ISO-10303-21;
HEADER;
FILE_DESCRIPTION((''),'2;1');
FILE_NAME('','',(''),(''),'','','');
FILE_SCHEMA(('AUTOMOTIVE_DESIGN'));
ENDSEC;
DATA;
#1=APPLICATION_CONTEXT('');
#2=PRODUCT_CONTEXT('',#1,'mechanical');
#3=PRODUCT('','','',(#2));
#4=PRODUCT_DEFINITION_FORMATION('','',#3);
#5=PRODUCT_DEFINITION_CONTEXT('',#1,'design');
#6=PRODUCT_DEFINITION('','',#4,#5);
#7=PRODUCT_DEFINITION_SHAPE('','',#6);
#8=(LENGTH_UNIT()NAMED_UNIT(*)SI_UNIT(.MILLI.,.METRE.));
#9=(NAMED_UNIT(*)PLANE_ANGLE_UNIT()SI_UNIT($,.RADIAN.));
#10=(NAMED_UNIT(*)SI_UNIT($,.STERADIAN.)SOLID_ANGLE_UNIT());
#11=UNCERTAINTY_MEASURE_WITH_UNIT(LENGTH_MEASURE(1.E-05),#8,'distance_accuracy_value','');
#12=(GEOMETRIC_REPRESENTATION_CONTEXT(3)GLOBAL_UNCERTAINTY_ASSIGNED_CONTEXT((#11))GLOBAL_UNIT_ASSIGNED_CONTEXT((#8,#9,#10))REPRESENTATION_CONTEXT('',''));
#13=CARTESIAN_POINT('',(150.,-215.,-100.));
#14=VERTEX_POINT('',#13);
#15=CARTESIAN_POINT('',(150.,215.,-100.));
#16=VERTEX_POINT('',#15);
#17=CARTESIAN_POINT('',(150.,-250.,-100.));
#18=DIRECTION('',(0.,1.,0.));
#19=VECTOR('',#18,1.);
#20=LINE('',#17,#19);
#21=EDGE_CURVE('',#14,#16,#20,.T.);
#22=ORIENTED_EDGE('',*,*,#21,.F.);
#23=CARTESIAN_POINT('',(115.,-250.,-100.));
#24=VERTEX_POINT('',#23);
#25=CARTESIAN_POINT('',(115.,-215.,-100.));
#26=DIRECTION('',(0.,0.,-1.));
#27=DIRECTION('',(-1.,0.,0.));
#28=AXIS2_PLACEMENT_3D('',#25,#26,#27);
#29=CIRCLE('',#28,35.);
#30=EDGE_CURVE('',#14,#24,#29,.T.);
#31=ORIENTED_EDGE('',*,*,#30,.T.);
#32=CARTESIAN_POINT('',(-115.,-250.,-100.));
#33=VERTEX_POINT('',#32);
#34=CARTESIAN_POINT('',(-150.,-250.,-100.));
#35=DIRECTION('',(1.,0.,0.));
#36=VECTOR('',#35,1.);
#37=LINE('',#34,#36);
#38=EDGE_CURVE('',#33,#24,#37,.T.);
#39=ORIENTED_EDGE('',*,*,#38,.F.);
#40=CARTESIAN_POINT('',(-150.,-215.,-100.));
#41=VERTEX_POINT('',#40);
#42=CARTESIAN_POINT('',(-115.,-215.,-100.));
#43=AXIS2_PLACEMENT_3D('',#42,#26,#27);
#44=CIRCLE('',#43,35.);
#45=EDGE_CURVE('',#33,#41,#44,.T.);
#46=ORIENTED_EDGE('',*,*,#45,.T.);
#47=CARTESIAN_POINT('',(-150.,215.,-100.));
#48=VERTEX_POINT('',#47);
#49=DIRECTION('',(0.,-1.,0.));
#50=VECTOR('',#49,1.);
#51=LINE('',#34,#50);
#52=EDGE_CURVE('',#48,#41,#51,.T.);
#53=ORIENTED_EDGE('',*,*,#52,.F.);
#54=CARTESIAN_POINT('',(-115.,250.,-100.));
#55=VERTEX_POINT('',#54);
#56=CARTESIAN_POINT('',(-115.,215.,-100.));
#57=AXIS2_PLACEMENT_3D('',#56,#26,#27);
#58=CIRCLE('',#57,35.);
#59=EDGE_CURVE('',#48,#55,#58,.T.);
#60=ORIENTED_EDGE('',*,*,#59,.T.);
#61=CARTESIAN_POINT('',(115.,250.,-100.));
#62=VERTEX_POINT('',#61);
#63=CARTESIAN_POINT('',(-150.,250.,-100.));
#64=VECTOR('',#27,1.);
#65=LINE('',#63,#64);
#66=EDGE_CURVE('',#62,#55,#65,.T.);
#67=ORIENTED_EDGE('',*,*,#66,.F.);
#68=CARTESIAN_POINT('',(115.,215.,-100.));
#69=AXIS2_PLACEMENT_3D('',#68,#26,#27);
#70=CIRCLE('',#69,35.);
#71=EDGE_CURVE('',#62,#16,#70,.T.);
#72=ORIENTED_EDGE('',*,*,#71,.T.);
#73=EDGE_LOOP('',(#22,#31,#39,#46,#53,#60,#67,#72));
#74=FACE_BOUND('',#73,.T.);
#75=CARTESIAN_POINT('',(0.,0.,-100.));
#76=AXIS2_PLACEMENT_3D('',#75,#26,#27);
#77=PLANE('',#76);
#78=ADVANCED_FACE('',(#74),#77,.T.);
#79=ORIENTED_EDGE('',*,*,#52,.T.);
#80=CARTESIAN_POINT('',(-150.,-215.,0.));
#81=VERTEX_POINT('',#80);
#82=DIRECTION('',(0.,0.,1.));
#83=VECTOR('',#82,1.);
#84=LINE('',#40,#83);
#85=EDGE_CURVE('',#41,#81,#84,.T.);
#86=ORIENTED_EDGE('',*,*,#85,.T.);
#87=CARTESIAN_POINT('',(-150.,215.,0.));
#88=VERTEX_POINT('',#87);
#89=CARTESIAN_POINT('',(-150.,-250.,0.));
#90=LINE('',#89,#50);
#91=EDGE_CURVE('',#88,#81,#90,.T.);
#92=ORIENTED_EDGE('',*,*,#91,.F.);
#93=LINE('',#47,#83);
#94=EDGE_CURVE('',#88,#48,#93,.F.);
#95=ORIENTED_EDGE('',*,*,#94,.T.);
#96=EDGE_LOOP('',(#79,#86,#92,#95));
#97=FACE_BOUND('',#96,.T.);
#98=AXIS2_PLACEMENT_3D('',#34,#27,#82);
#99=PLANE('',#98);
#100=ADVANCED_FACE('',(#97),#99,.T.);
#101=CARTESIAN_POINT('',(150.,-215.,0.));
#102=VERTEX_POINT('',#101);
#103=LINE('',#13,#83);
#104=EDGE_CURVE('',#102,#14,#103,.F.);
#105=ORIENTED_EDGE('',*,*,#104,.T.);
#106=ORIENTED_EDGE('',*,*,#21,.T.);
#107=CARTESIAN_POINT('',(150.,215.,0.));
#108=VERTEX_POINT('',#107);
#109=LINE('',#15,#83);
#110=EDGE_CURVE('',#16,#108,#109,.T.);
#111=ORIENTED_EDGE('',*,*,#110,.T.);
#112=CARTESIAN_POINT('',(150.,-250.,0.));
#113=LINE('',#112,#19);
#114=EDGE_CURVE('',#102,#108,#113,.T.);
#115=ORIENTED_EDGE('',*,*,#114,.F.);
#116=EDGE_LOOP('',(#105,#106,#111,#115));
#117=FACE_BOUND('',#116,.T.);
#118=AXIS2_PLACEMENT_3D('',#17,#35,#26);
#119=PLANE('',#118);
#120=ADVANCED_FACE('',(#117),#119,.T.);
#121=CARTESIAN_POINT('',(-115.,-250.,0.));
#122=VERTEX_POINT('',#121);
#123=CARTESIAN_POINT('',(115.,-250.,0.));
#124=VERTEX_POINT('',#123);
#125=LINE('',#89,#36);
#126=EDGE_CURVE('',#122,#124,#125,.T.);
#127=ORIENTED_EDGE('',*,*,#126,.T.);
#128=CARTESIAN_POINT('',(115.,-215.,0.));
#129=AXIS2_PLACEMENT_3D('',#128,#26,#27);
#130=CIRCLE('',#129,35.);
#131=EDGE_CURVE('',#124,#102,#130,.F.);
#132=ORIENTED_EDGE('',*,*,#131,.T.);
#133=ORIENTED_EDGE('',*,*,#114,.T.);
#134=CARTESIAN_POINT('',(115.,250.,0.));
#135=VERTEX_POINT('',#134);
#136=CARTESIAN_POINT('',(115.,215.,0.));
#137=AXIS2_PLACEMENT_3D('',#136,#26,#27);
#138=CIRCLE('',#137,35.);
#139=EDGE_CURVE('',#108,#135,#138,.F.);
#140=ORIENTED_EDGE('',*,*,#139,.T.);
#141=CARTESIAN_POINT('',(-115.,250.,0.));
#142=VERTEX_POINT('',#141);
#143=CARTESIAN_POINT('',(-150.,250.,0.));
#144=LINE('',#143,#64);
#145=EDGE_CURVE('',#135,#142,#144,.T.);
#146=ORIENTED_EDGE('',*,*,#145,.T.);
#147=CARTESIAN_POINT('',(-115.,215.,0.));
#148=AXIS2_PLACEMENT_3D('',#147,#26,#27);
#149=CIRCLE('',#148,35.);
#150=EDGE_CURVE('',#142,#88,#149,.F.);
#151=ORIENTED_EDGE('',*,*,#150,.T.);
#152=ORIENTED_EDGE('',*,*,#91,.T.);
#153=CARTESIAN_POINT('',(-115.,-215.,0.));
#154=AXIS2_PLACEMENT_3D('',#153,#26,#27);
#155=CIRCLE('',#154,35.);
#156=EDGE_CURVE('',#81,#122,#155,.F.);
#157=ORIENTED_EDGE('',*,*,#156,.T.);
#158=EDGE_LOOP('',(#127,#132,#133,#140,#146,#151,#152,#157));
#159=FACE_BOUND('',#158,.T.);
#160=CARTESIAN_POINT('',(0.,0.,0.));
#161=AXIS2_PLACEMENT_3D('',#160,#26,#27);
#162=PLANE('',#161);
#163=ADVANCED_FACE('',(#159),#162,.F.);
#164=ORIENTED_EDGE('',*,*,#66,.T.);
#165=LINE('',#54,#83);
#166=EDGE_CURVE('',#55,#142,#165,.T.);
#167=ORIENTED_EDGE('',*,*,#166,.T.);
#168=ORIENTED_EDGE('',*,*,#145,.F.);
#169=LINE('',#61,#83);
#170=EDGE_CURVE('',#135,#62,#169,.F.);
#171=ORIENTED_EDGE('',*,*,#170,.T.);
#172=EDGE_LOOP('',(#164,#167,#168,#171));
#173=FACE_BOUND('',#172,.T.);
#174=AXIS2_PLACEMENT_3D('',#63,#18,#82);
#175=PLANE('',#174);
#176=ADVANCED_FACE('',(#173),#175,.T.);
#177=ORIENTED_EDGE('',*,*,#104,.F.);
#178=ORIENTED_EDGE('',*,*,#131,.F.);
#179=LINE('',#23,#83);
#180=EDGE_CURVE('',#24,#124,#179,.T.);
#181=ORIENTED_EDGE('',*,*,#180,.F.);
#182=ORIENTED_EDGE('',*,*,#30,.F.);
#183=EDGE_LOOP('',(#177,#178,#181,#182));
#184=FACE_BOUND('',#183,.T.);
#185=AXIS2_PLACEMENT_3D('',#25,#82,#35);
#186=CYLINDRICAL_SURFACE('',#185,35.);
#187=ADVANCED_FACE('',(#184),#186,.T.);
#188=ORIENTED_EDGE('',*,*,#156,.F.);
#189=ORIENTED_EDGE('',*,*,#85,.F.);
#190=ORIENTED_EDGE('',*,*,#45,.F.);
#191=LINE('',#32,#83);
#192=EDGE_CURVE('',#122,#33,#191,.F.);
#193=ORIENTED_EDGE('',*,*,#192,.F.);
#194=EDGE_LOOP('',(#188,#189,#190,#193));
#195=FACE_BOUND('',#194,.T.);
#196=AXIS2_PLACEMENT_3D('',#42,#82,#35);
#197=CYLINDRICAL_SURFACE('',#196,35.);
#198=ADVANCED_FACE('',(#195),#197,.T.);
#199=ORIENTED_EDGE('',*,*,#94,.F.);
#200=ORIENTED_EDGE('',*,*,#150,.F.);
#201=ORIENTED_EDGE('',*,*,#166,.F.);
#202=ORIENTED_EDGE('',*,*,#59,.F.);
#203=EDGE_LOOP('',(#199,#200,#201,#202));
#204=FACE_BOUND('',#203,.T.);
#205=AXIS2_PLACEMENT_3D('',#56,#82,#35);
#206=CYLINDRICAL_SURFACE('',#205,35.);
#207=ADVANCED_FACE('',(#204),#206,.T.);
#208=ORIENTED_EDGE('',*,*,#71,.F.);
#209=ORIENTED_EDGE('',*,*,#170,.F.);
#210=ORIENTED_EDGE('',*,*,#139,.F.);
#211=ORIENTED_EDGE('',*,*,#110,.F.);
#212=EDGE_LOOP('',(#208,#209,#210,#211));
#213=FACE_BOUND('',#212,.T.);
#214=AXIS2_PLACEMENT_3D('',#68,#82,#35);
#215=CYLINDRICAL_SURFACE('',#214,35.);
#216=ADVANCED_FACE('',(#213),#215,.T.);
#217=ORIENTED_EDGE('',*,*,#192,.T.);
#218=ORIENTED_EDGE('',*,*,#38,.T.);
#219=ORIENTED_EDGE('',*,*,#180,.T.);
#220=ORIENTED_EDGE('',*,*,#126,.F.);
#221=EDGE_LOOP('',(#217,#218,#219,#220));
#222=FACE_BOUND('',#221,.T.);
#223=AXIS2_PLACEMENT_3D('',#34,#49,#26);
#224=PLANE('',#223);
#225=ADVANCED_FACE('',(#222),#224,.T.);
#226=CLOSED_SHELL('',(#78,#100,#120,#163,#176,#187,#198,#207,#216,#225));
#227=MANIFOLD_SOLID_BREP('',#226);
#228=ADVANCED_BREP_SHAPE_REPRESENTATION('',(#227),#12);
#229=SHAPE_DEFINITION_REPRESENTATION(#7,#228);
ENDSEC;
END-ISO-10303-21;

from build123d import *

# Parameters (mm, degrees)
SKETCH1_W           = 300
SKETCH1_H           = 500
BOSS_EXTRUDE1_DEPTH = 100
FILLET1_R           = 35


with BuildPart() as part:
    # Sketch1 → Boss-Extrude1 (new body)
    with BuildSketch(Plane.XY):
        Rectangle(SKETCH1_W, SKETCH1_H)
    extrude(amount=-BOSS_EXTRUDE1_DEPTH)

    # Fillet1
    fillet1_edges = [part.edges().sort_by_distance(p)[0] for p in [
        (150, -250, -50),
        (-150, -250, -50),
        (-150, 250, -50),
        (150, 250, -50),
    ]]
    fillet(fillet1_edges, radius=FILLET1_R)


solid = part.part
